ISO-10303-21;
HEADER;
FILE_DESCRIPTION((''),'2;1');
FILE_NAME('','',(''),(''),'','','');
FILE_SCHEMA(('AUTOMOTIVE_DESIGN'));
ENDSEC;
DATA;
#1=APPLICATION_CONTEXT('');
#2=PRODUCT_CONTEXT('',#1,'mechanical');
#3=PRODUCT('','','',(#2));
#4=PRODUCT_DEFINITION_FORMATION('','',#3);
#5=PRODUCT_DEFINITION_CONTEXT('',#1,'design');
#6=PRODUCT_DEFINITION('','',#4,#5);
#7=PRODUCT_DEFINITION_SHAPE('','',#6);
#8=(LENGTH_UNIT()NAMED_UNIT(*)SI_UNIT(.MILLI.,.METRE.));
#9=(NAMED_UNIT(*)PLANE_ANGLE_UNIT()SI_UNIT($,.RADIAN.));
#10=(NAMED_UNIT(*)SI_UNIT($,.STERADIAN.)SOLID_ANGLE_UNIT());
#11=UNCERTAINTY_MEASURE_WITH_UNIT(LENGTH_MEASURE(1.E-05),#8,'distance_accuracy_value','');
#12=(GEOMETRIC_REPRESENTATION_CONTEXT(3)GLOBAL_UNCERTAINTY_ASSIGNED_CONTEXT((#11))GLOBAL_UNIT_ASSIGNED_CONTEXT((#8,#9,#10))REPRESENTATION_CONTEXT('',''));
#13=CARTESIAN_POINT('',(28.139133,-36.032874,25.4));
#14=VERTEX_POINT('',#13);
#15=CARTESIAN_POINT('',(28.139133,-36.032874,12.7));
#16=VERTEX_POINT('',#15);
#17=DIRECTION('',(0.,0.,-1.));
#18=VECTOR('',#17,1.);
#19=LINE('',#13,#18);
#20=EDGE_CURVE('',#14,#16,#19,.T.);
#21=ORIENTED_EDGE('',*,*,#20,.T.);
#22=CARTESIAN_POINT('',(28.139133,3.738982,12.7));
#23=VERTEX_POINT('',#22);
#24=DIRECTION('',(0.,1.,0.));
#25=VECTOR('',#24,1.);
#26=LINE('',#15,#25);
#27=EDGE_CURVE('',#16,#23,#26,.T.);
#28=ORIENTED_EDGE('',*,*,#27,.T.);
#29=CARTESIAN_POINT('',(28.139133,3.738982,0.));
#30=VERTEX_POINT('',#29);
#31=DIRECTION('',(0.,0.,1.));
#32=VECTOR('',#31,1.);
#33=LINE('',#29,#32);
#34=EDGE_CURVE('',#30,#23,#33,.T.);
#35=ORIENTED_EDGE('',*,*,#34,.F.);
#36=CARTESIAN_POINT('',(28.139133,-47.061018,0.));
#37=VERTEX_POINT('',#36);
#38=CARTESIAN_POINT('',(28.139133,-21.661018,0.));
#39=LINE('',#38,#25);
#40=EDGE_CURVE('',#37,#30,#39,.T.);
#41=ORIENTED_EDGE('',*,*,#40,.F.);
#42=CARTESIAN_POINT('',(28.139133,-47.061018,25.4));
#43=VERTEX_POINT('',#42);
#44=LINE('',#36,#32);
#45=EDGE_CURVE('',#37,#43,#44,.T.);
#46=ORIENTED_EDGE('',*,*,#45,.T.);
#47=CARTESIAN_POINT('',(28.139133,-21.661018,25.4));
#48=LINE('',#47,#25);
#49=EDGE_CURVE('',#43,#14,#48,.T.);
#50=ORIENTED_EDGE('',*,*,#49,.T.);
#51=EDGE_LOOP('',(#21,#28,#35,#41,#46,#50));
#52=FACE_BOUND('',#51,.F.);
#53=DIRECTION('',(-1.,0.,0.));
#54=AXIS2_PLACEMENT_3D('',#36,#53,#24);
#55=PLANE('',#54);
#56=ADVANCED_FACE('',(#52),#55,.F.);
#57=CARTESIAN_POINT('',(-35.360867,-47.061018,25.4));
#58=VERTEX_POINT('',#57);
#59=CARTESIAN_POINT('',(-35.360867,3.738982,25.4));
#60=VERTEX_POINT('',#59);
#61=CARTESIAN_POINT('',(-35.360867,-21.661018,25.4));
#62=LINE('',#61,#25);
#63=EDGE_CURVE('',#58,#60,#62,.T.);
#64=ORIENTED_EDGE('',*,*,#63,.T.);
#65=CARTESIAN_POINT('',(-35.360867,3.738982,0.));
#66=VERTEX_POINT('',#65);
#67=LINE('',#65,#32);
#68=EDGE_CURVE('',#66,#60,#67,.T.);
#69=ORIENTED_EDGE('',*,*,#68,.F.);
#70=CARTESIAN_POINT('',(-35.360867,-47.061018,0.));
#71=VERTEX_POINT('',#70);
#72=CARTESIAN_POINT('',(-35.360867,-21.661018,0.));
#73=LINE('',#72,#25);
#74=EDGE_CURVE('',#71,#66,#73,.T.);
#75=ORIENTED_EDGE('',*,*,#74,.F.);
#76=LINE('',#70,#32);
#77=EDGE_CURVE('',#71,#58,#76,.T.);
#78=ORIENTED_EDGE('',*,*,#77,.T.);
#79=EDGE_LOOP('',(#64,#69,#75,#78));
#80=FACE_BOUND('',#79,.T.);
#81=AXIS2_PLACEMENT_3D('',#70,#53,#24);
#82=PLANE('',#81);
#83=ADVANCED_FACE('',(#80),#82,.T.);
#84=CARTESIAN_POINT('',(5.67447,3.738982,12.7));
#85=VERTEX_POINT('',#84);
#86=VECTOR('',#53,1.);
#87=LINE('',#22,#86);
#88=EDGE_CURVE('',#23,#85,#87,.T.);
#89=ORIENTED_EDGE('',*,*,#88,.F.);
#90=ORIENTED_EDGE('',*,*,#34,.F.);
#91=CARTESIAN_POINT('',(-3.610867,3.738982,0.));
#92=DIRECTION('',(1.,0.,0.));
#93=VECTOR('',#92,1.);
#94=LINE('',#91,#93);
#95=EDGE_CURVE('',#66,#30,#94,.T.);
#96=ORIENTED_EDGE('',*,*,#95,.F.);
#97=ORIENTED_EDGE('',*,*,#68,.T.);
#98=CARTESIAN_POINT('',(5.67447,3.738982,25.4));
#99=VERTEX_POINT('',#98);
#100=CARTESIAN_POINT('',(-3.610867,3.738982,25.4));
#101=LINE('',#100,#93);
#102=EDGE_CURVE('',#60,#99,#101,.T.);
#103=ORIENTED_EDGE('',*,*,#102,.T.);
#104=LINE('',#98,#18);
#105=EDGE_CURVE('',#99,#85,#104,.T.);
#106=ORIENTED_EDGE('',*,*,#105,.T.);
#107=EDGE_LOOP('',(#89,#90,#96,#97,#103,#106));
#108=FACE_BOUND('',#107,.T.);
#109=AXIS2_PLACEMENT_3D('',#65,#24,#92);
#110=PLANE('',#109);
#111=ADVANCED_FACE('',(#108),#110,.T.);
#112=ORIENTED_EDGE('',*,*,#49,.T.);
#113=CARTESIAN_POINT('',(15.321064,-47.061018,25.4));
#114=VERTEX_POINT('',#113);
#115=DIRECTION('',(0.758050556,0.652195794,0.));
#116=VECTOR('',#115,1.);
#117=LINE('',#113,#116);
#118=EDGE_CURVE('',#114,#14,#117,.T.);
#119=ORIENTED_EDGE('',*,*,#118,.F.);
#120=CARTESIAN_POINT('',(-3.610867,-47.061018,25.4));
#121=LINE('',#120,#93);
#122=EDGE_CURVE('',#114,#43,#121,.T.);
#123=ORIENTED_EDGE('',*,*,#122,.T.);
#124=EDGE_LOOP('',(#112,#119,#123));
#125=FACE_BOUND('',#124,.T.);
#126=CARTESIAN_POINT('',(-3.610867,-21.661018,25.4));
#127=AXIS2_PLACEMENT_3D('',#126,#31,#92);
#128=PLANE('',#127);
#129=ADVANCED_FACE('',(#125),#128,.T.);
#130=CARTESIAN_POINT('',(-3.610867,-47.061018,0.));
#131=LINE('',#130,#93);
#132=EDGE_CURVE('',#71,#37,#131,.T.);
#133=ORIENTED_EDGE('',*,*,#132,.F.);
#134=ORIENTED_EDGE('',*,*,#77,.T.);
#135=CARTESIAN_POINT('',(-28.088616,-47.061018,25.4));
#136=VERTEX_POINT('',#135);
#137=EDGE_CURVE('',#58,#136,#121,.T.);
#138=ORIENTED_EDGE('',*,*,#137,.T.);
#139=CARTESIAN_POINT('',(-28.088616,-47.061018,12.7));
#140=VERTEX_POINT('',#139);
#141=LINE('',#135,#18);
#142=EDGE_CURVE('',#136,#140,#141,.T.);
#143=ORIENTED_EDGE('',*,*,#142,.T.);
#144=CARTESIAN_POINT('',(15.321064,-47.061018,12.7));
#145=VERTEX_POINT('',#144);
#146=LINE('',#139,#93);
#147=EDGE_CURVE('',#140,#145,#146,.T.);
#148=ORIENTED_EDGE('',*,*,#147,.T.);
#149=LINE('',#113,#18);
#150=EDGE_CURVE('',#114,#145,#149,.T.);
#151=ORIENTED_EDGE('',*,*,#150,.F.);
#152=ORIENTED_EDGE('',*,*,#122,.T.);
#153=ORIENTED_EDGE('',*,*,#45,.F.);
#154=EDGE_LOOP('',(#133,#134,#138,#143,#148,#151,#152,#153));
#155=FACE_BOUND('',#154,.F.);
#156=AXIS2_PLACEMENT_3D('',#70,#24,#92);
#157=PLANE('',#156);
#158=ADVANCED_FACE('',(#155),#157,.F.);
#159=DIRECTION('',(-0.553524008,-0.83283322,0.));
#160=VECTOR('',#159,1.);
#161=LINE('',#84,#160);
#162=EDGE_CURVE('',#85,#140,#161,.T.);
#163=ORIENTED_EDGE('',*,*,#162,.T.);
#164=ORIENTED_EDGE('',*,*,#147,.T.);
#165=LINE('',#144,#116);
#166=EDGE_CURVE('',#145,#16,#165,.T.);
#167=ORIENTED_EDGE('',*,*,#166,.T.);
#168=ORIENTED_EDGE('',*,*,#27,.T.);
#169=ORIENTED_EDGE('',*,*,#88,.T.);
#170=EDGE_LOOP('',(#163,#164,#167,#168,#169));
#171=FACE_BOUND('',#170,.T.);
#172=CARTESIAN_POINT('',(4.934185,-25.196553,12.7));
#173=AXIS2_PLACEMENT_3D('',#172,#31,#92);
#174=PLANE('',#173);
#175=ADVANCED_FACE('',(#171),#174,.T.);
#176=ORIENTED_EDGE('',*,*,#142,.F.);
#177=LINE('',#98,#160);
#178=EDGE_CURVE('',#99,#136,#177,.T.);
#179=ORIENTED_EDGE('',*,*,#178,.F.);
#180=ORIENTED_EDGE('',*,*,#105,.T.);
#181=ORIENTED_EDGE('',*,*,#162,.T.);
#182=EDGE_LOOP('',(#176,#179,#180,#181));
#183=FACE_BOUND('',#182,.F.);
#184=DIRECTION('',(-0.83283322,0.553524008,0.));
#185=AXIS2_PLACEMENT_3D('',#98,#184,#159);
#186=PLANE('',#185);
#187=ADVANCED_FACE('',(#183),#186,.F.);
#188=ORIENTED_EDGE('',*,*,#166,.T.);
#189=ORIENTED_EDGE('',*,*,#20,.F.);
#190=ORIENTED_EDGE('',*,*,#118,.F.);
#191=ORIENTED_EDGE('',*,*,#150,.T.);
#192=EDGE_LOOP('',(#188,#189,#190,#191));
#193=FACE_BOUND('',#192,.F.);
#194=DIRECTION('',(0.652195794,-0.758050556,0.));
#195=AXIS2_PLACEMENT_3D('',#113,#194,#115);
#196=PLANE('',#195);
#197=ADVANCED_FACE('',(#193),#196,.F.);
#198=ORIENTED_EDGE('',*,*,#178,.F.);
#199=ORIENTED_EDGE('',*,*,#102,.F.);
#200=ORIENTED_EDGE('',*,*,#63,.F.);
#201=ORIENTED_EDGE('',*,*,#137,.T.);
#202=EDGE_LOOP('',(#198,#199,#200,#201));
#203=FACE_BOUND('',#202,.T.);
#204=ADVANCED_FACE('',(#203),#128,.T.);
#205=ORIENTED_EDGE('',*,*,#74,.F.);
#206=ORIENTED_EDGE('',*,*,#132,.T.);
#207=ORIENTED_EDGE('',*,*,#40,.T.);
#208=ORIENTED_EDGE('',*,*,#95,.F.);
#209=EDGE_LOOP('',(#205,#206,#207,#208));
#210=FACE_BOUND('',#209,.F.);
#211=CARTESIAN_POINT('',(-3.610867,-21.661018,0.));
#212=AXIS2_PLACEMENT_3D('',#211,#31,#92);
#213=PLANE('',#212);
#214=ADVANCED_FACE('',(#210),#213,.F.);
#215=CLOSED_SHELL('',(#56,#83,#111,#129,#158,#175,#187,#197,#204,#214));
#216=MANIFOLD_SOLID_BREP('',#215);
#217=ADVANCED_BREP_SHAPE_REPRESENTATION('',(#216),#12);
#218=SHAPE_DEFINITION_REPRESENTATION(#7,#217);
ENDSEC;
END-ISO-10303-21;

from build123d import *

# Parameters (mm, degrees)
F0_W     = 63.5
F0_H     = 50.8
F1_DEPTH = 25.4
F3_DEPTH = 12.7


with BuildPart() as f1:
    # F0 (on Top) → F1 (new body)
    with BuildSketch(Plane.XY):
        with Locations((-3.610867, -21.661018)):
            Rectangle(F0_W, F0_H)
    extrude(amount=F1_DEPTH)

    # F2 (on face) → F3 (cut)
    with BuildSketch(Plane.XY.offset(25.4)):
        Polygon((28.139133, 3.738982), (5.67447, 3.738982), (-28.088616, -47.061018), (15.321064, -47.061018), (28.139133, -36.032874), align=None)
    extrude(amount=-F3_DEPTH, mode=Mode.SUBTRACT)


solid = f1.part
